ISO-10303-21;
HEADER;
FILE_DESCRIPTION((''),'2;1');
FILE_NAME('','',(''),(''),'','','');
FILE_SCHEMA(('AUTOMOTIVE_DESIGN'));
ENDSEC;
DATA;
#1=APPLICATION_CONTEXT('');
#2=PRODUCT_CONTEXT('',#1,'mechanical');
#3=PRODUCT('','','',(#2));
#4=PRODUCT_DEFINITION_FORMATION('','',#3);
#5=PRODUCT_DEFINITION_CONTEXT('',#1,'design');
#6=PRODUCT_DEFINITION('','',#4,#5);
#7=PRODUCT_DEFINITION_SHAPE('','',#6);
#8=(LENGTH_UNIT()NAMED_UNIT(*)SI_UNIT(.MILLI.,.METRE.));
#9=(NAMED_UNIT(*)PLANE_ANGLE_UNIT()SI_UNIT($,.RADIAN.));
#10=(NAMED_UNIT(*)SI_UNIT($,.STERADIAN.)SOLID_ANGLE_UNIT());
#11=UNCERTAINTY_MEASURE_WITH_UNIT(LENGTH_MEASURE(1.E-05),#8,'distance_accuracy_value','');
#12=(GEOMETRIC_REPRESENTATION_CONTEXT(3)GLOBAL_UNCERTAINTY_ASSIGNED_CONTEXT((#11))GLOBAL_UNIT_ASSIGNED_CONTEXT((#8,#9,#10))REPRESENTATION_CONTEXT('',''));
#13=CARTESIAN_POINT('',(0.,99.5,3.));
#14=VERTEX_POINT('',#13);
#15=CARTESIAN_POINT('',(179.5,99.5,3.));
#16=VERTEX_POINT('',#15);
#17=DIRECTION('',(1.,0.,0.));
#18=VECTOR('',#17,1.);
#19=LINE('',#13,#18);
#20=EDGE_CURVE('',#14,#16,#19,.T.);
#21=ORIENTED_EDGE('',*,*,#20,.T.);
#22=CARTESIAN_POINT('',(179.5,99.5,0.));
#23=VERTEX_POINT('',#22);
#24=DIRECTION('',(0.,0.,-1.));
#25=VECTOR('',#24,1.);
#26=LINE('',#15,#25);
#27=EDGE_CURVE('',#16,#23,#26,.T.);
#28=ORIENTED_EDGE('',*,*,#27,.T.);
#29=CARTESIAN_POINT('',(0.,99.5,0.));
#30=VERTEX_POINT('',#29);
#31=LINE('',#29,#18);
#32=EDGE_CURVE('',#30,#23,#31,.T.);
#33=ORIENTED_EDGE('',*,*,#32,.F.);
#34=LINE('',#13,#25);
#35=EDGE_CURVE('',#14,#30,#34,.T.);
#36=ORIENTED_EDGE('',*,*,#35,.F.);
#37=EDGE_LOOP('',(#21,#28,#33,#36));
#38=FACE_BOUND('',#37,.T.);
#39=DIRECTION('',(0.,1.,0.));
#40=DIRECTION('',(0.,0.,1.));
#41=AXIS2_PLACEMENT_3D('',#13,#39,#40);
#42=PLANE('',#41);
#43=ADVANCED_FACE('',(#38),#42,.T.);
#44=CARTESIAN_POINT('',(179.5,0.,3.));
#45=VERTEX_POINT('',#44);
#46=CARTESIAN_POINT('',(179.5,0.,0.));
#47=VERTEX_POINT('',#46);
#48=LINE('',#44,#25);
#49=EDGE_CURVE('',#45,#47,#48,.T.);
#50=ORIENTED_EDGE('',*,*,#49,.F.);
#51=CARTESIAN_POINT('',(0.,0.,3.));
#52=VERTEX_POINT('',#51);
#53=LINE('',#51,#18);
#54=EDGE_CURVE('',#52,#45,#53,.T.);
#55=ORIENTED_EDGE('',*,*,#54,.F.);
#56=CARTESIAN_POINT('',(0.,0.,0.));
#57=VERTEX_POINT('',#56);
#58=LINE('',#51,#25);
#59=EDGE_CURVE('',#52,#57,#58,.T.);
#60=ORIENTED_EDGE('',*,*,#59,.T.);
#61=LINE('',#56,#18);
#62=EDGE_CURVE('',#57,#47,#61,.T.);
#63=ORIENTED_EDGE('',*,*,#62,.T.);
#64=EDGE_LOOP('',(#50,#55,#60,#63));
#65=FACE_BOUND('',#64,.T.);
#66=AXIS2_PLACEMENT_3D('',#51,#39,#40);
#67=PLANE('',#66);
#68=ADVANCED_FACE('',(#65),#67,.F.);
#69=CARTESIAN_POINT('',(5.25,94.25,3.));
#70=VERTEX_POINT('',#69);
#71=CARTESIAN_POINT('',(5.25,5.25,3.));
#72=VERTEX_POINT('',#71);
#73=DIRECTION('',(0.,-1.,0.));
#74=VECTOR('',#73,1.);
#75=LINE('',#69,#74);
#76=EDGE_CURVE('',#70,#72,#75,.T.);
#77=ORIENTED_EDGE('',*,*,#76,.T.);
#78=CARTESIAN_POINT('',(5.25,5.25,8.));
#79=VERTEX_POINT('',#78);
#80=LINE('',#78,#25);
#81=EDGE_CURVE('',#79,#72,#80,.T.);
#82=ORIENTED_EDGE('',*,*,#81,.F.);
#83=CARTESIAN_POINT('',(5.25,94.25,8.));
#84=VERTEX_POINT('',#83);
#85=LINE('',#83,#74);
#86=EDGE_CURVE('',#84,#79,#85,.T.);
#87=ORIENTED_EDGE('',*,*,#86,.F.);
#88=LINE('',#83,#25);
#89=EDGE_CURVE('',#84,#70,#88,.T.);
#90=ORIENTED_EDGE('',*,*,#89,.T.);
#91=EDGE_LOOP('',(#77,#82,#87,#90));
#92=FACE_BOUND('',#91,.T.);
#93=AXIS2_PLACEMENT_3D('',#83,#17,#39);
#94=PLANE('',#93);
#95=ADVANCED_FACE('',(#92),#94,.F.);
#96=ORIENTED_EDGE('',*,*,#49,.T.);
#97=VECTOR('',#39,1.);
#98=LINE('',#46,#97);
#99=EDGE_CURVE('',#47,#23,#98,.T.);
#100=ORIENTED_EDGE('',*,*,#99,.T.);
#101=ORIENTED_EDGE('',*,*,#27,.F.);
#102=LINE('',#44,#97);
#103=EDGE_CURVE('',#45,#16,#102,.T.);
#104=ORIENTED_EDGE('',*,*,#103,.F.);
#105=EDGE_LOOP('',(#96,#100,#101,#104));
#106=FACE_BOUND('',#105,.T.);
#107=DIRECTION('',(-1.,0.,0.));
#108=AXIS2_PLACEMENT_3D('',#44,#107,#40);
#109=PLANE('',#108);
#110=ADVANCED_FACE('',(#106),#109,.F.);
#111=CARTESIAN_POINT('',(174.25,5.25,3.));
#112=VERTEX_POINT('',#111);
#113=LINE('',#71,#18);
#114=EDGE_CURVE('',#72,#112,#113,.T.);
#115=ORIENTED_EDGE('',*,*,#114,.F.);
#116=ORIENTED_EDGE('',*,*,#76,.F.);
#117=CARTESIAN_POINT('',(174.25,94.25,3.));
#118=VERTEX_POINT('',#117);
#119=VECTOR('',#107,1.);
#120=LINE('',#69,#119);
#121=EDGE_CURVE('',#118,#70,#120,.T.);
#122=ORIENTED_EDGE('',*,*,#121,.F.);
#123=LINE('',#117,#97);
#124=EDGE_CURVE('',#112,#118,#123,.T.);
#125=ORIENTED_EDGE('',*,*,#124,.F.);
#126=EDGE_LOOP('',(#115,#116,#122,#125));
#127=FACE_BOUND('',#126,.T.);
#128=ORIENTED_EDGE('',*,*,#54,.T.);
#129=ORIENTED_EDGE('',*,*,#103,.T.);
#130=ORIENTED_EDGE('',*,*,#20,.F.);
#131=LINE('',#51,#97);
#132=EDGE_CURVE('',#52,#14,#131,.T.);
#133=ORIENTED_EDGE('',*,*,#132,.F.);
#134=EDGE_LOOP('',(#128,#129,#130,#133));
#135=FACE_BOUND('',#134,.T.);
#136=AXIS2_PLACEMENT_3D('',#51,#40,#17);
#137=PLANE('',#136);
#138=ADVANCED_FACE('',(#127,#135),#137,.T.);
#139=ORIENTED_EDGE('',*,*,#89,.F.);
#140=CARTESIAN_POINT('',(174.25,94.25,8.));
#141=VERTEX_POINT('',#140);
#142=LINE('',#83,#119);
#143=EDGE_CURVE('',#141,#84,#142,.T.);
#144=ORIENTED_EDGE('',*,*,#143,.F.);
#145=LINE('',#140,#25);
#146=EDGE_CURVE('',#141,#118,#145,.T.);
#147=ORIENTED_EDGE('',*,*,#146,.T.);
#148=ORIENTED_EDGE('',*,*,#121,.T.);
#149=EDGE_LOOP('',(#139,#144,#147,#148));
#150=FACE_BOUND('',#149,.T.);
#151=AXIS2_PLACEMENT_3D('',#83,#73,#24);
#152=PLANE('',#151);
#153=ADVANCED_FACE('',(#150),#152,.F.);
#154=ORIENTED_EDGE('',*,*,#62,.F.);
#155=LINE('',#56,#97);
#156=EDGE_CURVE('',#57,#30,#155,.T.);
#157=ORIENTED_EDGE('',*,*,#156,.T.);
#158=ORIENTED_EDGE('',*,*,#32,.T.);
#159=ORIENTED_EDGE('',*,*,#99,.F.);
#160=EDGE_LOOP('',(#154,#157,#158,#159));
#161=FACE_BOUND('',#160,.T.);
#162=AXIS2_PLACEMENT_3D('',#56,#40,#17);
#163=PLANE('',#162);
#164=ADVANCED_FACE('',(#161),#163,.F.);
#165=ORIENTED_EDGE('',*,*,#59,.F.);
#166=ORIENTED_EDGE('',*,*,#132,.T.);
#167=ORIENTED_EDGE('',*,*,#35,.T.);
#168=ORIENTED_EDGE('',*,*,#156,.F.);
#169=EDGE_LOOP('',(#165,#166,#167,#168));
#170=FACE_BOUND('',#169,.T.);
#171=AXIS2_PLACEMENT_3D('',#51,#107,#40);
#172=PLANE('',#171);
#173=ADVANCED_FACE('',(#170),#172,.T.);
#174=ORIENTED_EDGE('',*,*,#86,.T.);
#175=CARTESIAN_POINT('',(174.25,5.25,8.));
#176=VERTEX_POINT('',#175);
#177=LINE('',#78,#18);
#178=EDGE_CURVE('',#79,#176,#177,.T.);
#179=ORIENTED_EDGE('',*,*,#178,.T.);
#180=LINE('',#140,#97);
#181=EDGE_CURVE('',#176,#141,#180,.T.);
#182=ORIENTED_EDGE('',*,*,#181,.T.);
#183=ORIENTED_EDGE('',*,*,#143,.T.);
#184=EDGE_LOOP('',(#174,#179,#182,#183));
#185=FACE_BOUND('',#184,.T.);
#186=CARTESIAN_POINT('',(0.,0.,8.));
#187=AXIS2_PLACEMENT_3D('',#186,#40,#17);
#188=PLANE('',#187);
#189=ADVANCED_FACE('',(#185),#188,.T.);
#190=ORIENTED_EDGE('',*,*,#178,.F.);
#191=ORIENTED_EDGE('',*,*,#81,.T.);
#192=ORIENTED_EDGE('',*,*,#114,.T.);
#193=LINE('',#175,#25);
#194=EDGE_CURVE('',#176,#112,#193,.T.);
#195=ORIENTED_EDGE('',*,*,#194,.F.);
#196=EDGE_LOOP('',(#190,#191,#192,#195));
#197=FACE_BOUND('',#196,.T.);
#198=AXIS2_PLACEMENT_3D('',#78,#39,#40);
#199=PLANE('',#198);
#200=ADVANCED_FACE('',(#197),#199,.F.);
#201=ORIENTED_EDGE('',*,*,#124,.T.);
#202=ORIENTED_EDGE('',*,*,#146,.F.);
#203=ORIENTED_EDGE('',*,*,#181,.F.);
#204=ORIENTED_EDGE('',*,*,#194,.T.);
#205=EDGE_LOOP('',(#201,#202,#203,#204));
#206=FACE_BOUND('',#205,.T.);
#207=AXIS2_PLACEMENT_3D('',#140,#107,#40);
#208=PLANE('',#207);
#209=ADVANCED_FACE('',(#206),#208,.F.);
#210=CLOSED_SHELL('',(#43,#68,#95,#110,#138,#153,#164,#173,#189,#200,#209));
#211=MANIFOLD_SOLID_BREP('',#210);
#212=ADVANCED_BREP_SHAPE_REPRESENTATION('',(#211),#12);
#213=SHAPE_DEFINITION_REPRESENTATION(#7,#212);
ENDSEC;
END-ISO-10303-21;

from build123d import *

# Parameters (mm, degrees)
SKICA1_W                = 179.5
SKICA1_H                = 99.5
P_IDAT_VYSUNUT_M2_DEPTH = 3
SKICA2_W                = 169
SKICA2_H                = 89
P_IDAT_VYSUNUT_M3_DEPTH = 5


with BuildPart() as part:
    # Skica1 → Přidat vysunutím2 (new body)
    with BuildSketch(Plane.XY):
        with Locations((89.75, 49.75)):
            Rectangle(SKICA1_W, SKICA1_H)
    extrude(amount=P_IDAT_VYSUNUT_M2_DEPTH)

    # Skica2 → Přidat vysunutím3 (add)
    with BuildSketch(Plane.XY.offset(3)):
        with Locations((89.75, 49.75)):
            Rectangle(SKICA2_W, SKICA2_H)
    extrude(amount=P_IDAT_VYSUNUT_M3_DEPTH)


solid = part.part
